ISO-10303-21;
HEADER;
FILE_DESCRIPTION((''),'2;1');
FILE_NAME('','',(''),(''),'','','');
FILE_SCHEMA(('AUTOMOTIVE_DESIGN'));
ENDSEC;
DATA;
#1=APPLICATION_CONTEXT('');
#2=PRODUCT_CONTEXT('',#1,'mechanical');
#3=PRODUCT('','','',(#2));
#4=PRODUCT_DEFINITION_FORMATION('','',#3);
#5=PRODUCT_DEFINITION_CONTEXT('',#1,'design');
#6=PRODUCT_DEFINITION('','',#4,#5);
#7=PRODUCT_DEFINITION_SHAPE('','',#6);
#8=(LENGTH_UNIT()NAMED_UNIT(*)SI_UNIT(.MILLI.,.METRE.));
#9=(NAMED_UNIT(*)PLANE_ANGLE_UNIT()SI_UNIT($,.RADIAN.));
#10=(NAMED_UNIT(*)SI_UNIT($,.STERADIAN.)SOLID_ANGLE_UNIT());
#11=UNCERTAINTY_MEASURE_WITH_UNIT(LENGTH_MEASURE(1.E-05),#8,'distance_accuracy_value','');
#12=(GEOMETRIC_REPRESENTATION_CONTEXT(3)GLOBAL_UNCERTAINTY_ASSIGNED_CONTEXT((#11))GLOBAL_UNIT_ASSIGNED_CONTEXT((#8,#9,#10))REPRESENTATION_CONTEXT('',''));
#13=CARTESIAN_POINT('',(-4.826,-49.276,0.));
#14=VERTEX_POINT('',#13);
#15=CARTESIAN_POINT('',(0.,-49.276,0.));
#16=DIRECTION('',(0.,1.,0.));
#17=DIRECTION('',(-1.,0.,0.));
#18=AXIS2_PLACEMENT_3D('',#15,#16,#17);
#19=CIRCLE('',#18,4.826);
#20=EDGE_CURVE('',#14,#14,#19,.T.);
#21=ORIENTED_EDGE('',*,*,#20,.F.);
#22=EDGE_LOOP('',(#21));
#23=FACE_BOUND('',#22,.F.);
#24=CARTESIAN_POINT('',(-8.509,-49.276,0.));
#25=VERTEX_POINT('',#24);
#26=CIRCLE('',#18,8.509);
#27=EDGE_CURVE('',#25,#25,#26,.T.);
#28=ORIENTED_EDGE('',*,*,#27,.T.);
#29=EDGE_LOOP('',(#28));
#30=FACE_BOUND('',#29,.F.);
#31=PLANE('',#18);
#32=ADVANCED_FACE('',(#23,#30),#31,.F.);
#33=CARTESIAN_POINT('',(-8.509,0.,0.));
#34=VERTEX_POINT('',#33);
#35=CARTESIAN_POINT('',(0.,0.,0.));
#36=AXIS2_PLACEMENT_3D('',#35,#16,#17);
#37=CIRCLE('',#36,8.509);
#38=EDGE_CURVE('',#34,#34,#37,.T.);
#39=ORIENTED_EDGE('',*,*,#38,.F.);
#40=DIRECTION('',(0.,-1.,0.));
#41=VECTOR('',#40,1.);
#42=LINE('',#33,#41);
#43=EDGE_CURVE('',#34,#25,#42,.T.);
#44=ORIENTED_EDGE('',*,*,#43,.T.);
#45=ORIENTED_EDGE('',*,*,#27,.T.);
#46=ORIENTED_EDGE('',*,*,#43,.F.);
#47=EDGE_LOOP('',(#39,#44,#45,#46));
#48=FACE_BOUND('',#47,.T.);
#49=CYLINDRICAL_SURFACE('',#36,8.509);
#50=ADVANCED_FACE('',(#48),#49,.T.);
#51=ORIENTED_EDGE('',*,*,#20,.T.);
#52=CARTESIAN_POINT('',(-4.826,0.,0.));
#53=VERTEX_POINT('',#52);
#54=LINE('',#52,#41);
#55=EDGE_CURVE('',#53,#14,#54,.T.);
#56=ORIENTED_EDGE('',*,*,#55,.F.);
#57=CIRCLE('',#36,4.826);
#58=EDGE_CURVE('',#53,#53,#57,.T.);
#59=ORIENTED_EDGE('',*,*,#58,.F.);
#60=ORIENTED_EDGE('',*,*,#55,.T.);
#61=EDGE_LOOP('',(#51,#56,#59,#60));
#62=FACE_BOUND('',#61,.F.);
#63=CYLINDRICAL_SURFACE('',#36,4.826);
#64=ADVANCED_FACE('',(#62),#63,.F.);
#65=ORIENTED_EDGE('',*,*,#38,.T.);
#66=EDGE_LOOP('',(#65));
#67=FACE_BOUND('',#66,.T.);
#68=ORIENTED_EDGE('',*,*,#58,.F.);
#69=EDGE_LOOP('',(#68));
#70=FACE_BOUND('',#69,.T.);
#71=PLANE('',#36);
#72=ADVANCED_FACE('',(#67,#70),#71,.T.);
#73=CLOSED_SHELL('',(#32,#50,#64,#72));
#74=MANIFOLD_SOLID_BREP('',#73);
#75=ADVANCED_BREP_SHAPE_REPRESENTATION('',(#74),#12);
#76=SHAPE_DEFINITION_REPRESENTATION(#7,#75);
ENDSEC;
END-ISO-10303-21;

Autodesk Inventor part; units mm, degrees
ref_plane "YZ Plane" through (0, 0, 0) normal (1, 0, 0) x (0, 1, 0)
ref_plane "XZ Plane" through (0, 0, 0) normal (0, 1, 0) x (-1, 0, 0)
ref_plane "XY Plane" through (0, 0, 0) normal (0, 0, 1) x (1, 0, 0)
sketch "Sketch1" plane through (0, 0, 0) normal (0, 1, 0) x (-1, 0, 0)
  circle A0 centre (0, 0) radius 8.509
  circle A1 centre (0, 0) radius 4.826
  dimension "d0" = 17.018
  dimension "d1" = 9.652
extrude "Extrusion1" add sketch "Sketch1" against normal blind 49.276
properties part number "fc17_009" material "ABS Plastic"
